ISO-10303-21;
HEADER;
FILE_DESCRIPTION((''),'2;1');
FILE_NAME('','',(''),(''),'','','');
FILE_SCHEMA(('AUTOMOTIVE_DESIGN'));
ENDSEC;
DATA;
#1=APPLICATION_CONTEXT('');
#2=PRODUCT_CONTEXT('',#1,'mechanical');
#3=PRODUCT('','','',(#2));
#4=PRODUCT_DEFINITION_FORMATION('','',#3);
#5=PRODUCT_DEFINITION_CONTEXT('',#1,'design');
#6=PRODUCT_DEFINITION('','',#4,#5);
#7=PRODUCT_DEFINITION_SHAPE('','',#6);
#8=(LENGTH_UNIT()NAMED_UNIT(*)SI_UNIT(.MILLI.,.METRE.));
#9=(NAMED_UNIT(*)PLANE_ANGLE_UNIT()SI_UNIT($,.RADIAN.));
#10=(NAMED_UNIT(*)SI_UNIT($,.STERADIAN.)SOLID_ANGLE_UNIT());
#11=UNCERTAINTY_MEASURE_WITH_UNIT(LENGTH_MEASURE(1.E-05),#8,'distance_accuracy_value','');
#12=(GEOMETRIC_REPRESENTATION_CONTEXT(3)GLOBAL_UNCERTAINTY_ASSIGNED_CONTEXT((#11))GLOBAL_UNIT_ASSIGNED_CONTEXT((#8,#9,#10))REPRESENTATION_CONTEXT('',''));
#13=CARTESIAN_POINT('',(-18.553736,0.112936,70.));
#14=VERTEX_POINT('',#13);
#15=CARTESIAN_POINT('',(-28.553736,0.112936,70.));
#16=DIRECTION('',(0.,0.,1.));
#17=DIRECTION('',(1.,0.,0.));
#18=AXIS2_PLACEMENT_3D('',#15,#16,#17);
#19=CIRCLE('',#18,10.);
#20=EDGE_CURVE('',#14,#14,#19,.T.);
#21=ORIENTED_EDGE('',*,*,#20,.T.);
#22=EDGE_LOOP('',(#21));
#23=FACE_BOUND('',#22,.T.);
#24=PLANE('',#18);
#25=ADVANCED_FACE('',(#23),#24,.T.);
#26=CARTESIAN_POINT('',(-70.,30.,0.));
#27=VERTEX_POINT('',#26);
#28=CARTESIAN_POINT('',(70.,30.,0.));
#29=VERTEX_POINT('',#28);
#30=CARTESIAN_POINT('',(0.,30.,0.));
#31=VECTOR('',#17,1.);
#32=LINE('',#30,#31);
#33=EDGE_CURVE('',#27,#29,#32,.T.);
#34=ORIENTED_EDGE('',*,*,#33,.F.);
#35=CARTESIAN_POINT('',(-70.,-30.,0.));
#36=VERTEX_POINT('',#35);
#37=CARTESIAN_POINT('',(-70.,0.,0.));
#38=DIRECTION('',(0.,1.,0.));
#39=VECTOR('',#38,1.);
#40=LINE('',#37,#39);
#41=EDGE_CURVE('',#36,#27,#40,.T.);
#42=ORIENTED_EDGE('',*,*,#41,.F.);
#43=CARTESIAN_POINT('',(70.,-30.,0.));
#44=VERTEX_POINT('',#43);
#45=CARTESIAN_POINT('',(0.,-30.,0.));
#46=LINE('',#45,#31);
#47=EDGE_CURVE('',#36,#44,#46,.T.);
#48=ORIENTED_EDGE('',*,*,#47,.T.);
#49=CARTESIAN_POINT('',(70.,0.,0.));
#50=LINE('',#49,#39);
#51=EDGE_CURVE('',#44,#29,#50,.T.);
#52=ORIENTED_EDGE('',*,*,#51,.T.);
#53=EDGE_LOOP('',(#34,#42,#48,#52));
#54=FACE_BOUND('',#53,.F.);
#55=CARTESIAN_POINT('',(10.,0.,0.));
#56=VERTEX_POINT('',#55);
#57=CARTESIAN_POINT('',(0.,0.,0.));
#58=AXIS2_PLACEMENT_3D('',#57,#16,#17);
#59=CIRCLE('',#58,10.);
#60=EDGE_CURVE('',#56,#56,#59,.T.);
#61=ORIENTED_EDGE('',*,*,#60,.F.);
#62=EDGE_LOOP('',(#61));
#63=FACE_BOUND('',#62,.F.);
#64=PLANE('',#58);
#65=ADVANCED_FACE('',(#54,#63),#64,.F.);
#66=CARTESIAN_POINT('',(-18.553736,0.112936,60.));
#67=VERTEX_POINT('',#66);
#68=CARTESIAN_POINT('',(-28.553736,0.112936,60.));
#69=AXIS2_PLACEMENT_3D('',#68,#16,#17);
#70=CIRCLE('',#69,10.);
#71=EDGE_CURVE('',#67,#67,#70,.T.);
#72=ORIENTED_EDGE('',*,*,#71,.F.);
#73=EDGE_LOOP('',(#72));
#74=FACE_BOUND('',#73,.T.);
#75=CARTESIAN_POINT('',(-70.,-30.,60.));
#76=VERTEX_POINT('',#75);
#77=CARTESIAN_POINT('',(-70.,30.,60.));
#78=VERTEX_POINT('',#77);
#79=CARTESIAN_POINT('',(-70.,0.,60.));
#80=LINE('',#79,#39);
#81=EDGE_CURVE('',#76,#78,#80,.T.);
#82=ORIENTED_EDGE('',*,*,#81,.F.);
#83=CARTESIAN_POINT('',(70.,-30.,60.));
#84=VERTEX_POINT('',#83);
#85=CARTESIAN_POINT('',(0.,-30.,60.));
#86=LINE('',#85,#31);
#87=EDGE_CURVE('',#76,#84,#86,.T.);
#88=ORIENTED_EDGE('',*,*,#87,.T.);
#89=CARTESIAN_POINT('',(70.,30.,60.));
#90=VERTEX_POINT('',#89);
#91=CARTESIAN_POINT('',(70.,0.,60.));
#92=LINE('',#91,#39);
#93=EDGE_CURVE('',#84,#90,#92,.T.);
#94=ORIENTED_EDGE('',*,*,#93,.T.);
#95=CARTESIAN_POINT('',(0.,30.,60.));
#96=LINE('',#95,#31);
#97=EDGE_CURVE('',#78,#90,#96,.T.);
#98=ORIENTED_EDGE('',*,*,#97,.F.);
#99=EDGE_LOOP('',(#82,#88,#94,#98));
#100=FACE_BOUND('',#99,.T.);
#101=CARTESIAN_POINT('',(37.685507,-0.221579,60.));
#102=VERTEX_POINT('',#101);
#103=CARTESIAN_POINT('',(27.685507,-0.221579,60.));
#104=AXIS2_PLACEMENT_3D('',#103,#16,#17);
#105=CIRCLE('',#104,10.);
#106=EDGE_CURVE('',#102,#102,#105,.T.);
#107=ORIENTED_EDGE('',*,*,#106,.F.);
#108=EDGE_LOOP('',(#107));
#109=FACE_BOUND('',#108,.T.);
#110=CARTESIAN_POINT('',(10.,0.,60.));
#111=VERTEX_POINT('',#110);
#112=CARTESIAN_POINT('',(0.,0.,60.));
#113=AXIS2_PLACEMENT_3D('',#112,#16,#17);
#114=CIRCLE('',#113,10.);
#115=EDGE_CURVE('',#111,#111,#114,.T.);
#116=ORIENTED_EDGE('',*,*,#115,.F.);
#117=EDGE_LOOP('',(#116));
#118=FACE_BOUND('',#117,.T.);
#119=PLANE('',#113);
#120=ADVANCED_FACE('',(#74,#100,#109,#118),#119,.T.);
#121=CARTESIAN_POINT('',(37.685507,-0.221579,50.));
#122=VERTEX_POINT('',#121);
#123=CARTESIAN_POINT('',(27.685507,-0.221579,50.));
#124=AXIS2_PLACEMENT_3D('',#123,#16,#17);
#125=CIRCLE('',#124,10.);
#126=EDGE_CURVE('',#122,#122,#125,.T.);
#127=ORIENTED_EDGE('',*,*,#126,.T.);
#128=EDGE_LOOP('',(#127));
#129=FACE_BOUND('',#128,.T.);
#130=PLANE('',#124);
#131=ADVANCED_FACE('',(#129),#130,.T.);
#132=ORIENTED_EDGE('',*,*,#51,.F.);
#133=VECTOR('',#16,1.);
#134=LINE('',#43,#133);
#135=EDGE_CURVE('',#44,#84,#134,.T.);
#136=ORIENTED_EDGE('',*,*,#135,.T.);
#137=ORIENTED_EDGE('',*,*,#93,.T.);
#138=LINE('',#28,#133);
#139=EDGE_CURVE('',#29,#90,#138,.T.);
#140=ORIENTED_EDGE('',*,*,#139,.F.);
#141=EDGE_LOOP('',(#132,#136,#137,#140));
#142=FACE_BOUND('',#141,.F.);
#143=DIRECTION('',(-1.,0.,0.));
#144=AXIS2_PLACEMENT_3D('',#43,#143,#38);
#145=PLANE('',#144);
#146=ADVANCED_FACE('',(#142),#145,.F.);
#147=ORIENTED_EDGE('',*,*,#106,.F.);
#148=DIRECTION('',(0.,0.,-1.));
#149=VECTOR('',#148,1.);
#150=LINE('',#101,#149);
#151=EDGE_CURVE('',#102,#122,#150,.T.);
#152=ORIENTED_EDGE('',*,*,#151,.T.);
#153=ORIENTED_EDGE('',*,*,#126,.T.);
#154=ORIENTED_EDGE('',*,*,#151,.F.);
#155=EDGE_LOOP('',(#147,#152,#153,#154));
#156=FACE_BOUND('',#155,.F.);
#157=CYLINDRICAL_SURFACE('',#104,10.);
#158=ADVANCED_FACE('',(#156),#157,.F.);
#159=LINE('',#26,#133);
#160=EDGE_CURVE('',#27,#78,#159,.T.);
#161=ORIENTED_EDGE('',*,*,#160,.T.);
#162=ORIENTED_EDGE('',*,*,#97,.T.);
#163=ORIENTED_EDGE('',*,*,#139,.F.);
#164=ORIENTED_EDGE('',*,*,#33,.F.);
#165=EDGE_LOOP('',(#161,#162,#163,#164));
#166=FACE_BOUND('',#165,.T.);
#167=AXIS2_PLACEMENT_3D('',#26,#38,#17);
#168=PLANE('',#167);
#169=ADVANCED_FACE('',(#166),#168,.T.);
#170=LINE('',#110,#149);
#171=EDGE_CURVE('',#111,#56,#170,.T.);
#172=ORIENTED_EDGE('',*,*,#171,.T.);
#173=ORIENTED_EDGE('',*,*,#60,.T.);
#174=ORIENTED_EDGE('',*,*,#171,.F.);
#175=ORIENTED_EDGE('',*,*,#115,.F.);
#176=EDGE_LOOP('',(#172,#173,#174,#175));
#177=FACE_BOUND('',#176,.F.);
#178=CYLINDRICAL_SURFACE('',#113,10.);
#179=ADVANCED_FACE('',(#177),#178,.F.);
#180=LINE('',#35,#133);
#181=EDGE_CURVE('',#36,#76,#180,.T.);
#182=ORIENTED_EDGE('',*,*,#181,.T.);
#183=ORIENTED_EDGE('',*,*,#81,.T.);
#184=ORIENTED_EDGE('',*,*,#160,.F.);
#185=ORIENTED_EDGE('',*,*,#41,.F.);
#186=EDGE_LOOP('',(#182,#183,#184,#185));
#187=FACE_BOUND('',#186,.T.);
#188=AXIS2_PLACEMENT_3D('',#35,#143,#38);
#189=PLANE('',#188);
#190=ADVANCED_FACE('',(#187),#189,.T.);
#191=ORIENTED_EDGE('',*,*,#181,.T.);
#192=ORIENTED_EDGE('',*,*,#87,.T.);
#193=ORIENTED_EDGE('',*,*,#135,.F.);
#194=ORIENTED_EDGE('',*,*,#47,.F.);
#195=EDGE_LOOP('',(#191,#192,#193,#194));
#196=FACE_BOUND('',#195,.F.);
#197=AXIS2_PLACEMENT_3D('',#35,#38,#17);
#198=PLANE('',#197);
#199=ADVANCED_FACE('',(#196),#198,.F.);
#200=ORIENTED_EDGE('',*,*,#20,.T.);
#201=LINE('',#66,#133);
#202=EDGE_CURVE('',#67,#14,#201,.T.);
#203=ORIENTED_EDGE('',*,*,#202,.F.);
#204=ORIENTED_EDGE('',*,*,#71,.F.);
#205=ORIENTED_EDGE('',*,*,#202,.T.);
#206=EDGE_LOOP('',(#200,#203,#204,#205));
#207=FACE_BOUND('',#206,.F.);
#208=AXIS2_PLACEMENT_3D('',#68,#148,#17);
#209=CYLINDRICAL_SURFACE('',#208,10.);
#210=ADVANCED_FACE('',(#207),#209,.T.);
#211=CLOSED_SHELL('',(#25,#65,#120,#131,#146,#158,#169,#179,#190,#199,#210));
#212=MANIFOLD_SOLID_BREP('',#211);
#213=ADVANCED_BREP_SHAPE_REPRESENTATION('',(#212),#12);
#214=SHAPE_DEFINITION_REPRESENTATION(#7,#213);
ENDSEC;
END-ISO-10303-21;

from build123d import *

# Parameters (mm, degrees)
F0_W     = 140
F0_H     = 60
F1_DEPTH = 60
F3_R     = 10
F6_DEPTH = 10
F4_R     = 10
F7_DEPTH = 10
F5_R     = 10
F8_DEPTH = 72.9


with BuildPart() as f1:
    # F0 (on Top) → F1 (new body)
    with BuildSketch(Plane.XY):
        Rectangle(F0_W, F0_H)
    extrude(amount=F1_DEPTH)

    # F3 (on face) → F6 (join)
    with BuildSketch(Plane.XY.offset(60)):
        with Locations((-28.553736, 0.112936)):
            Circle(F3_R)
    extrude(amount=F6_DEPTH)

    # F4 (on face) → F7 (cut)
    with BuildSketch(Plane.XY.offset(60)):
        with Locations((27.685507, -0.221579)):
            Circle(F4_R)
    extrude(amount=-F7_DEPTH, mode=Mode.SUBTRACT)

    # F5 (on face) → F8 (cut)
    with BuildSketch(Plane.XY.offset(60)):
        Circle(F5_R)
    extrude(amount=-F8_DEPTH, mode=Mode.SUBTRACT)


solid = f1.part
